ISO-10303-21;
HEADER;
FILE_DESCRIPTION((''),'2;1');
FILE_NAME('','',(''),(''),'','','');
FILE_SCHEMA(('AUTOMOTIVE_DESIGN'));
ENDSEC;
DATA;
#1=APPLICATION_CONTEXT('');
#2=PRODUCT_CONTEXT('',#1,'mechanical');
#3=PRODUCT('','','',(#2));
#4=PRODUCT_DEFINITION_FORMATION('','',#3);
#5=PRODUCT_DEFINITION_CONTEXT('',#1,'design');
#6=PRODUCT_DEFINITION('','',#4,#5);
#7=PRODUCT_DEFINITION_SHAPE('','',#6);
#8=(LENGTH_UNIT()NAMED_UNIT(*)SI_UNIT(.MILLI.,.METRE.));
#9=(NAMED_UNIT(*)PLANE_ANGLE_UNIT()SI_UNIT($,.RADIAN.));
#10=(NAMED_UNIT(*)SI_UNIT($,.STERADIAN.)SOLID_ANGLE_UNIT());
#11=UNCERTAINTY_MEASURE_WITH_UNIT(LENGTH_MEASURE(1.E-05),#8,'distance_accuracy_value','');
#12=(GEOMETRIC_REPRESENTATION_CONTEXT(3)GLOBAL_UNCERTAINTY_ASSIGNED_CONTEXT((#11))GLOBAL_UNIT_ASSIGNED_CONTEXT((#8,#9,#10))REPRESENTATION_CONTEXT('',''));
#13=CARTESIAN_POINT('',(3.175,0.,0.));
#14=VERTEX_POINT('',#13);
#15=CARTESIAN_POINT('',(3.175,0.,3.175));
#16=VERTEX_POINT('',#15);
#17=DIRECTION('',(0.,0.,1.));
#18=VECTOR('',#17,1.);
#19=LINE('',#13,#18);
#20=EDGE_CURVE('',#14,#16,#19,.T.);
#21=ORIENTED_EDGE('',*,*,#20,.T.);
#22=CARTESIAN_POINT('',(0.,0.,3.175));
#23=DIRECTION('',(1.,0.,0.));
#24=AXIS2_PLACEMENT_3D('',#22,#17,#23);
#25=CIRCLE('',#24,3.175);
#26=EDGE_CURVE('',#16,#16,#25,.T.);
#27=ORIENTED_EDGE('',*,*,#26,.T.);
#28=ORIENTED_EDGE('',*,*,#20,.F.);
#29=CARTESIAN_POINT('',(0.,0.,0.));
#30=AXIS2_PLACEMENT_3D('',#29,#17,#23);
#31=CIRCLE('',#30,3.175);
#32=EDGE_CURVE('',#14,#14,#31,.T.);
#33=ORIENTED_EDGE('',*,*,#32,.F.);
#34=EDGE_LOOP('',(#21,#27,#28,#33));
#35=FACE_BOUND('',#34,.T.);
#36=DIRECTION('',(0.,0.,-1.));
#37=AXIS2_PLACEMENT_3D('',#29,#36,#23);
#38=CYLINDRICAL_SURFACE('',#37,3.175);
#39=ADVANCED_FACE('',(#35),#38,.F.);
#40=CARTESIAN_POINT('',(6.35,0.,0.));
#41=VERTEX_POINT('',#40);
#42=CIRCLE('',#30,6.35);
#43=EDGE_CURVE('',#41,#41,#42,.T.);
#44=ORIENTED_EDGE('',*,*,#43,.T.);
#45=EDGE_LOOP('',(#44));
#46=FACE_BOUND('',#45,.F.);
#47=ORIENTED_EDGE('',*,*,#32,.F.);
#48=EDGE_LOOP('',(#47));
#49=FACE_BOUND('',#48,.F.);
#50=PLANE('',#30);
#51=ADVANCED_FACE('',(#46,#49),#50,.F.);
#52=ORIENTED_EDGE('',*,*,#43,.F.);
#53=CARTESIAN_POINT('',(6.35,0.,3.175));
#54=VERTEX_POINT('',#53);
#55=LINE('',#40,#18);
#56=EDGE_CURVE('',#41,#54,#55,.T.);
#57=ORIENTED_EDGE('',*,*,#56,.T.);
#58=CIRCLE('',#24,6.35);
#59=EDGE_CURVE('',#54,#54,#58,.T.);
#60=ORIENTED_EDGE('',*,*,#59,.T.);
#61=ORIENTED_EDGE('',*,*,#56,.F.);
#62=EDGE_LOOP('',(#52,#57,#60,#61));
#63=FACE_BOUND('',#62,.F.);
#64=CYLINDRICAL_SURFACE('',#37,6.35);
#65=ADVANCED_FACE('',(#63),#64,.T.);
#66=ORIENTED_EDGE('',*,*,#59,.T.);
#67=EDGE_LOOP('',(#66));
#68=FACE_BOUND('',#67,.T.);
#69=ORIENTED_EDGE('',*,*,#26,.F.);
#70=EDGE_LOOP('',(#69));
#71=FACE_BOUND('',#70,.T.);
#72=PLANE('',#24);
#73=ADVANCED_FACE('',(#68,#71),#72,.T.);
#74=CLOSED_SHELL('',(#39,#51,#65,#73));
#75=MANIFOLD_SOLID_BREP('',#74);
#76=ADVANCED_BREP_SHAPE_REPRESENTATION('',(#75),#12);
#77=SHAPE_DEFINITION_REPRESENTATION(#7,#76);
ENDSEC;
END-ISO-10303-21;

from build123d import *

# Parameters (mm, degrees)
SKETCH1_R           = 6.35
SKETCH1_R_2         = 3.175
BOSS_EXTRUDE1_DEPTH = 3.175


with BuildPart() as part:
    # Sketch1 → Boss-Extrude1 (new body)
    with BuildSketch(Plane.XY):
        Circle(SKETCH1_R)
        Circle(SKETCH1_R_2, mode=Mode.SUBTRACT)
    extrude(amount=BOSS_EXTRUDE1_DEPTH)


solid = part.part
